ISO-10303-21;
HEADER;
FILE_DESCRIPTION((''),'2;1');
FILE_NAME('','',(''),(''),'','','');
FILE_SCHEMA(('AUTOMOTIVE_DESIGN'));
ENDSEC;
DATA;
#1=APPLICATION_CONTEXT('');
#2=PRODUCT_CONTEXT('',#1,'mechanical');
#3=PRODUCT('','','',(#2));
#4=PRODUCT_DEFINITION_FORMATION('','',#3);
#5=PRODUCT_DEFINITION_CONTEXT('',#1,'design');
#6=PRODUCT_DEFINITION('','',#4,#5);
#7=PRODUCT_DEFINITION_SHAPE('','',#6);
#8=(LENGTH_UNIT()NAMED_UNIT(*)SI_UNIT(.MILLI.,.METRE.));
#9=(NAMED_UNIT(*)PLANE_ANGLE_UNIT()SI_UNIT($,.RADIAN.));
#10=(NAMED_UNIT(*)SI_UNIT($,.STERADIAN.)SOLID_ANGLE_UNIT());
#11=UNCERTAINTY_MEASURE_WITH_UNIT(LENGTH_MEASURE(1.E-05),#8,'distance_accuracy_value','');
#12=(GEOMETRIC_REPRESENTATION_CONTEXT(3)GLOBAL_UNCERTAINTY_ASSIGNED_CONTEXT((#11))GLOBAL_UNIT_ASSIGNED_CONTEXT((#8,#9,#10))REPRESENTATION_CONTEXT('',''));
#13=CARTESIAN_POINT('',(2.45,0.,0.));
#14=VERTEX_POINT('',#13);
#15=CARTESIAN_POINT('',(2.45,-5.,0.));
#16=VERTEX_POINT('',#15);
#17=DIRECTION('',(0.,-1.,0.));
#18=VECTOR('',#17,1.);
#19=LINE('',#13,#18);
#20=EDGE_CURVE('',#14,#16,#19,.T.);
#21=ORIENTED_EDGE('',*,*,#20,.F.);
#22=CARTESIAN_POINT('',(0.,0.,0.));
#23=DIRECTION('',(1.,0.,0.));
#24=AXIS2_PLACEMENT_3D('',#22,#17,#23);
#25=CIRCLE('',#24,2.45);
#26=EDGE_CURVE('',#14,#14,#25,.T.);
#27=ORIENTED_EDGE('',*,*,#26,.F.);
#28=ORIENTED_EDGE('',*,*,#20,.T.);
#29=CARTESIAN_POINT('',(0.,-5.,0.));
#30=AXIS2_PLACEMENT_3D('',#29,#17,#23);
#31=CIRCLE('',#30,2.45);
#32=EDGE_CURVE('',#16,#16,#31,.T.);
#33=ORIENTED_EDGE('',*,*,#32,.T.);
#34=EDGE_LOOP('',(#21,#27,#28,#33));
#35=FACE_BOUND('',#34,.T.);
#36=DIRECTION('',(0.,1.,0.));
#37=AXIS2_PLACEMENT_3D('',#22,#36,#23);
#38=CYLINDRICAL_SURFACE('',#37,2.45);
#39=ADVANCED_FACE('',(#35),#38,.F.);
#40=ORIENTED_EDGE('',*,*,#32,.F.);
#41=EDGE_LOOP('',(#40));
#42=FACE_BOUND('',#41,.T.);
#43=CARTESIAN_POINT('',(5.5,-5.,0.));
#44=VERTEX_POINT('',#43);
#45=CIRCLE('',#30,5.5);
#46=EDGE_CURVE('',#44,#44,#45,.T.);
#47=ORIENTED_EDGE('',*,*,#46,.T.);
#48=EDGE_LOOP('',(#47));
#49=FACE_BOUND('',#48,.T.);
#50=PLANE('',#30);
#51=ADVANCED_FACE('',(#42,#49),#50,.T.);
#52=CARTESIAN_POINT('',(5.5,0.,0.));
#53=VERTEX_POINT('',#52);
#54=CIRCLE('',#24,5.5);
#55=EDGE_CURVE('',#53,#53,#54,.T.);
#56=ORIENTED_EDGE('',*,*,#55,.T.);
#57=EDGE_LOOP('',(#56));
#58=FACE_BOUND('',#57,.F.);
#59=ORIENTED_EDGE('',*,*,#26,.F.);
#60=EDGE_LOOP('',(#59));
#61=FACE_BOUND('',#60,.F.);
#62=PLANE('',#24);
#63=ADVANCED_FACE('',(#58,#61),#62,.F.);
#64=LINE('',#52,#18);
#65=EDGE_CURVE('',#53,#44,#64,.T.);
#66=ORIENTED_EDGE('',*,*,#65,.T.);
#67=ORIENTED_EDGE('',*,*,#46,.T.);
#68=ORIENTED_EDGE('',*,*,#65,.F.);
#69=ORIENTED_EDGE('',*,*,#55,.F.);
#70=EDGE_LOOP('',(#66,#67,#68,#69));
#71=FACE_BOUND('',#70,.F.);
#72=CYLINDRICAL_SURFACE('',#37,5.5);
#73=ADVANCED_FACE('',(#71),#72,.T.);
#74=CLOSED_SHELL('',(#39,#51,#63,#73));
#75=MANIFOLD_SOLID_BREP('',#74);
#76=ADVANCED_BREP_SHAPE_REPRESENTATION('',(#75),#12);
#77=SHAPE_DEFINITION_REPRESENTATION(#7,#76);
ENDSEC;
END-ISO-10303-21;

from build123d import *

# Parameters (mm, degrees)
SKETCH_R   = 5.5
SKETCH_R_2 = 2.45
PAD_DEPTH  = 5


with BuildPart() as part:
    # Sketch (on XZ_Plane of Origin) → Pad (new body)
    with BuildSketch(Plane.XZ):
        Circle(SKETCH_R)
        Circle(SKETCH_R_2, mode=Mode.SUBTRACT)
    extrude(amount=PAD_DEPTH)


solid = part.part
